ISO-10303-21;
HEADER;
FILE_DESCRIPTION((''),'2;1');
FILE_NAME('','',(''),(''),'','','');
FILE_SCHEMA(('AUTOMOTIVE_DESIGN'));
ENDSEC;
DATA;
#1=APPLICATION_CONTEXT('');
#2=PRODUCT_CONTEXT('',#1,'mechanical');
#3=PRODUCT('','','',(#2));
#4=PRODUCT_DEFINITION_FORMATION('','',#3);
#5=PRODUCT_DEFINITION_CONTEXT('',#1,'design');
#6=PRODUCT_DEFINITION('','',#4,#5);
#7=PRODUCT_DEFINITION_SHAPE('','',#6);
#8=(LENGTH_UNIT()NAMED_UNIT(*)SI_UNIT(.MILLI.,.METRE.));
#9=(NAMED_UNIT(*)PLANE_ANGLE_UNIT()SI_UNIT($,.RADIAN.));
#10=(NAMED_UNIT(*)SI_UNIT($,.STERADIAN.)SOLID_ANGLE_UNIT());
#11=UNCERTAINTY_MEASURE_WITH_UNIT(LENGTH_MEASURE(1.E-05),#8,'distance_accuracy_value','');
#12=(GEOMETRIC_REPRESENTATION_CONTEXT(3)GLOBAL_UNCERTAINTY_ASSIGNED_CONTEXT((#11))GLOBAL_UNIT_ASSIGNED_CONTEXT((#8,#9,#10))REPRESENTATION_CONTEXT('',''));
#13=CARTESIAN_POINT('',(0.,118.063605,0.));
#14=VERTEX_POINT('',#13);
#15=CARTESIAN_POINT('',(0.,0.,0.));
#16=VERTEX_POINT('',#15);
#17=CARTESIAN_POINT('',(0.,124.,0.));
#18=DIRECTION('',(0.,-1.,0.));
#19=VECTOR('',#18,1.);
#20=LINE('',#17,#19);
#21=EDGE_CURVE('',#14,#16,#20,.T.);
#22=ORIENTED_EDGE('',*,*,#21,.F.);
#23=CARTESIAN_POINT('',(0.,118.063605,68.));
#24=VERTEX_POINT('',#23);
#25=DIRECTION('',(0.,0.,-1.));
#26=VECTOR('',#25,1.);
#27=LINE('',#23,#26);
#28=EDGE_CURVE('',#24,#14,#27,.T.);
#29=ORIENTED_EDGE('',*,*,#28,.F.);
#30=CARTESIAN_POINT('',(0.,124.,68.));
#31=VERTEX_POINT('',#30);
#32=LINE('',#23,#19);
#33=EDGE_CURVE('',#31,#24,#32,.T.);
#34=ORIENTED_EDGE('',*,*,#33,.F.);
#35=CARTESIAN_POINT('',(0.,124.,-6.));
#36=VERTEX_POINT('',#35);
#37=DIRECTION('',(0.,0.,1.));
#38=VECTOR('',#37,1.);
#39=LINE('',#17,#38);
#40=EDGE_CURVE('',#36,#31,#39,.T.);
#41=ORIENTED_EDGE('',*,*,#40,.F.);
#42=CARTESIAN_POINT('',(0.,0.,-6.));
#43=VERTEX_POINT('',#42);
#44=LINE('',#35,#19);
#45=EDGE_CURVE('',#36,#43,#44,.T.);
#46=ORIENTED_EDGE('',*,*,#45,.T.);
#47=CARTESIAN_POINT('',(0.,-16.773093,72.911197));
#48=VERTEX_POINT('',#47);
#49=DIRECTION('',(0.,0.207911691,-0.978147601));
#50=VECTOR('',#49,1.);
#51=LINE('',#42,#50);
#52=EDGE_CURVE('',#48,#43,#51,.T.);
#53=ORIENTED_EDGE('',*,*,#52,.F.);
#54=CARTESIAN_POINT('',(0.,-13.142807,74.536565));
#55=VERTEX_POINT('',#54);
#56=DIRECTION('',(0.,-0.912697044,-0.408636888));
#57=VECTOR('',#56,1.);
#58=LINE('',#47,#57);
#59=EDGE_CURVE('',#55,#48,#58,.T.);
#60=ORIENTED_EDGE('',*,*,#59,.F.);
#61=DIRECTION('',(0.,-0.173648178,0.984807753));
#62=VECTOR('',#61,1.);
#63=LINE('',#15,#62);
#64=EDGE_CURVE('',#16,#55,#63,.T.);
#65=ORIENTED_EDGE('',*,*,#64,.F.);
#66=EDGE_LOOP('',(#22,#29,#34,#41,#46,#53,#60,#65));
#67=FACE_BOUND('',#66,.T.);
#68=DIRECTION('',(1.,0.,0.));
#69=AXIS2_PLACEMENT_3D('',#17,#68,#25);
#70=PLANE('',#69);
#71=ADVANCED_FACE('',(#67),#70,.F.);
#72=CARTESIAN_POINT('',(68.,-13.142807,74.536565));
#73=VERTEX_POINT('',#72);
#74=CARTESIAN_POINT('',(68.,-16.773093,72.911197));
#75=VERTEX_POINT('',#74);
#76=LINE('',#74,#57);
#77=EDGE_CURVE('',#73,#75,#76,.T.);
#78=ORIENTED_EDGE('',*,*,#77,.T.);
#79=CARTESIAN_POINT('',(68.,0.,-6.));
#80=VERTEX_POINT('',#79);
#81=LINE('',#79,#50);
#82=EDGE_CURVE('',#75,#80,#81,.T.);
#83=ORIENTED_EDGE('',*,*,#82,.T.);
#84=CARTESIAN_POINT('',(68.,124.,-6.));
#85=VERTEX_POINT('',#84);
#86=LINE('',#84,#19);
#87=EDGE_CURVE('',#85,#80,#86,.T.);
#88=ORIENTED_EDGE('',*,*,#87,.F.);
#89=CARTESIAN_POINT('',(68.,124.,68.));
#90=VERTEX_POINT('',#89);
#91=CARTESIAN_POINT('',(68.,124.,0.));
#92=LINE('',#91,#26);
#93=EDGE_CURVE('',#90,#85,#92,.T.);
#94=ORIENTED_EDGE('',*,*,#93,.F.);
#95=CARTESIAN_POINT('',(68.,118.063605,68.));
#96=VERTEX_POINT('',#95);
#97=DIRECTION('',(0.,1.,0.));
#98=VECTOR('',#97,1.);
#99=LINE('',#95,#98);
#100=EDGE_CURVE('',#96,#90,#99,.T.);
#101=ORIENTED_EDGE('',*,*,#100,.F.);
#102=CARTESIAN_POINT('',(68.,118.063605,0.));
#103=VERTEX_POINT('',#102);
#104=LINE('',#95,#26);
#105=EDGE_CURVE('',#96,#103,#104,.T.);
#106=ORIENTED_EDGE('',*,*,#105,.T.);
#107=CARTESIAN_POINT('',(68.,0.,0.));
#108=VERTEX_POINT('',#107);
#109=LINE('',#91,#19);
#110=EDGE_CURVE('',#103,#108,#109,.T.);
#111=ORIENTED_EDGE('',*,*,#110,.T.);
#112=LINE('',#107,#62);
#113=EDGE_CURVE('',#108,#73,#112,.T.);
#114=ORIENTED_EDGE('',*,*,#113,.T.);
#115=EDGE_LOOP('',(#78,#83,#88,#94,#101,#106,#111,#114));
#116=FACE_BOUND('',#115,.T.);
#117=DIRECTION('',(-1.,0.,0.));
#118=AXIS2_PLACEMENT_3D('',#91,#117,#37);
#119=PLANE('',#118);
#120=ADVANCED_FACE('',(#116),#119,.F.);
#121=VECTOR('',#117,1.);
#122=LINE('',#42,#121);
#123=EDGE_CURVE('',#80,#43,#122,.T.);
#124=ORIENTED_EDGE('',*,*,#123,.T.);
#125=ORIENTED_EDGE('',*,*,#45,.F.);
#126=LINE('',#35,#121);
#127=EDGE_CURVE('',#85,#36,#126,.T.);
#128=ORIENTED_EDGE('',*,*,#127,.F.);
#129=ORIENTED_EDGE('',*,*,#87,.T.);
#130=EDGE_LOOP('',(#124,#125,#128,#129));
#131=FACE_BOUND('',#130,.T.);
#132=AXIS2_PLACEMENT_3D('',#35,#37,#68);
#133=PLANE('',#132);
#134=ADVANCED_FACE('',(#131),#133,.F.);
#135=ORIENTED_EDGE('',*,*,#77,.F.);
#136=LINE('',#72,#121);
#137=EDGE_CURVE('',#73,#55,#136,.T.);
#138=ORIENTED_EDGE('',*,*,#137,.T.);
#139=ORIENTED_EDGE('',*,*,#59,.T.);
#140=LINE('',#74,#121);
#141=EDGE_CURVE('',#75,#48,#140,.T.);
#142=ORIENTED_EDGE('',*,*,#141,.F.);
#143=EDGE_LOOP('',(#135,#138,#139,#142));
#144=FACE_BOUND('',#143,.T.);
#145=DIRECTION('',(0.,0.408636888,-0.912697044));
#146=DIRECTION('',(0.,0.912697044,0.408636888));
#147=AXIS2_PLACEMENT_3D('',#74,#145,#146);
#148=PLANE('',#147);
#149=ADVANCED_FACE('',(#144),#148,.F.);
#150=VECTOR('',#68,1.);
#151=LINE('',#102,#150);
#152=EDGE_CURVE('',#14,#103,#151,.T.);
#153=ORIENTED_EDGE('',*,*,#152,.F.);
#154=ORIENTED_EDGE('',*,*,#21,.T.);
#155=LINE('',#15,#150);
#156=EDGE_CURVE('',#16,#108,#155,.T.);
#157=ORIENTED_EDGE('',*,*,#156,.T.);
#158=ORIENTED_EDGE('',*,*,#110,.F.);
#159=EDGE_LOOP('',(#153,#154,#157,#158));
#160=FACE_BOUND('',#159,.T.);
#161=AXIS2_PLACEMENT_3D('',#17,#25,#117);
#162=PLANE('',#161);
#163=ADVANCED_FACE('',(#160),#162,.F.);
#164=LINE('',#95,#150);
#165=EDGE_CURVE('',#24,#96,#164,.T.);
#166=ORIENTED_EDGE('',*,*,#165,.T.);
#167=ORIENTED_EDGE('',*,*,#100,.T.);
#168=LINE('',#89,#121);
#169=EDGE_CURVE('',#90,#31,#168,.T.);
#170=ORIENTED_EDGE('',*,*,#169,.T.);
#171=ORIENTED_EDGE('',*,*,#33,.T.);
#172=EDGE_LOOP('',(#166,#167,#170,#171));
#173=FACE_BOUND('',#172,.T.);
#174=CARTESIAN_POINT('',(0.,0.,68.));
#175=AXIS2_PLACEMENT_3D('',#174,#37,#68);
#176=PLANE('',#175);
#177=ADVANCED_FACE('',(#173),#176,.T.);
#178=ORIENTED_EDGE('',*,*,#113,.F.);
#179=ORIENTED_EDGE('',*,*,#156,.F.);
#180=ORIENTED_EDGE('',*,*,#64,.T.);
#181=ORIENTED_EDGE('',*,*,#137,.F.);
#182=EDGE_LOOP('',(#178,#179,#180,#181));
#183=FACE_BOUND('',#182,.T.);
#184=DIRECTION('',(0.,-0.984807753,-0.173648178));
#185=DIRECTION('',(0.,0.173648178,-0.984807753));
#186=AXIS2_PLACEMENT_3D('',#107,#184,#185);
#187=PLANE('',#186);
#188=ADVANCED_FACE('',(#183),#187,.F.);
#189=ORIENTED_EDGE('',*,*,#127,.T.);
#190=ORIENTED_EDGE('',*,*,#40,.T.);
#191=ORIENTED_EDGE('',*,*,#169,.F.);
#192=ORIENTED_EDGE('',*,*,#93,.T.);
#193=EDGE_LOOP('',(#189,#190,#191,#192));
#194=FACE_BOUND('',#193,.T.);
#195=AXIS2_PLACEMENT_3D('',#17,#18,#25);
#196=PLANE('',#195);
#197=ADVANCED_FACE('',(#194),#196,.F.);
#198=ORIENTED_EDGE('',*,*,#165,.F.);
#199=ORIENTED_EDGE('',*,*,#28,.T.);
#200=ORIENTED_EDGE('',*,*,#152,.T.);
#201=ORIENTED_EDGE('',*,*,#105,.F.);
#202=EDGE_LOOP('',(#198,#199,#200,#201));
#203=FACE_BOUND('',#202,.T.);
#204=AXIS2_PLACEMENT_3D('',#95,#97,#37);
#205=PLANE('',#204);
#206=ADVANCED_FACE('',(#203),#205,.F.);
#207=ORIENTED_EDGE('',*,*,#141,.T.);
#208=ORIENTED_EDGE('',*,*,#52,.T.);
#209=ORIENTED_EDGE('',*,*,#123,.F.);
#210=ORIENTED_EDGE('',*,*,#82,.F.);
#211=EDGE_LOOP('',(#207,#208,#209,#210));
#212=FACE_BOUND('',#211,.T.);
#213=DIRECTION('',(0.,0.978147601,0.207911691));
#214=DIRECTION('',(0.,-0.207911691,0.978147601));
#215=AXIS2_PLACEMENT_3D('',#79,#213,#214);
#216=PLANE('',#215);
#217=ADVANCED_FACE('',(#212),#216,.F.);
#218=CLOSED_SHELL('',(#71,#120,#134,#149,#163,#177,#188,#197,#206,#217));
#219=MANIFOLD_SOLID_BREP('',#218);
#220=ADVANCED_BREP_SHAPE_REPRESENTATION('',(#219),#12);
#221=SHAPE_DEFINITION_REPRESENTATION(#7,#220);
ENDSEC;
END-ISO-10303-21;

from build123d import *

# Parameters (mm, degrees)
SKETCH1_W           = 68
SKETCH1_H           = 6
BOSS_EXTRUDE1_DEPTH = 124
BOSS_EXTRUDE2_DEPTH = 68
SKETCH4_W           = 68
SKETCH4_H           = 5.93639456
BOSS_EXTRUDE3_DEPTH = 68


with BuildPart() as part:
    # Sketch1 → Boss-Extrude1 (new body)
    with BuildSketch(Plane(origin=(0, 0, 0), x_dir=(1, 0, 0), z_dir=(0, 1, 0))):
        with Locations((34, 3)):
            Rectangle(SKETCH1_W, SKETCH1_H)
    extrude(amount=BOSS_EXTRUDE1_DEPTH)

    # Sketch3 → Boss-Extrude2 (add)
    with BuildSketch(Plane(origin=(0, 0, 0), x_dir=(0, 0, -1), z_dir=(1, 0, 0))):
        Polygon((0, 0), (-74.536565036, -13.142807465), (-72.911197136, -16.77309274), (6, 0), align=None)
    extrude(amount=BOSS_EXTRUDE2_DEPTH)

    # Sketch4 → Boss-Extrude3 (add)
    with BuildSketch(Plane.XY):
        with Locations((34, 121.03180272)):
            Rectangle(SKETCH4_W, SKETCH4_H)
    extrude(amount=BOSS_EXTRUDE3_DEPTH)


solid = part.part
